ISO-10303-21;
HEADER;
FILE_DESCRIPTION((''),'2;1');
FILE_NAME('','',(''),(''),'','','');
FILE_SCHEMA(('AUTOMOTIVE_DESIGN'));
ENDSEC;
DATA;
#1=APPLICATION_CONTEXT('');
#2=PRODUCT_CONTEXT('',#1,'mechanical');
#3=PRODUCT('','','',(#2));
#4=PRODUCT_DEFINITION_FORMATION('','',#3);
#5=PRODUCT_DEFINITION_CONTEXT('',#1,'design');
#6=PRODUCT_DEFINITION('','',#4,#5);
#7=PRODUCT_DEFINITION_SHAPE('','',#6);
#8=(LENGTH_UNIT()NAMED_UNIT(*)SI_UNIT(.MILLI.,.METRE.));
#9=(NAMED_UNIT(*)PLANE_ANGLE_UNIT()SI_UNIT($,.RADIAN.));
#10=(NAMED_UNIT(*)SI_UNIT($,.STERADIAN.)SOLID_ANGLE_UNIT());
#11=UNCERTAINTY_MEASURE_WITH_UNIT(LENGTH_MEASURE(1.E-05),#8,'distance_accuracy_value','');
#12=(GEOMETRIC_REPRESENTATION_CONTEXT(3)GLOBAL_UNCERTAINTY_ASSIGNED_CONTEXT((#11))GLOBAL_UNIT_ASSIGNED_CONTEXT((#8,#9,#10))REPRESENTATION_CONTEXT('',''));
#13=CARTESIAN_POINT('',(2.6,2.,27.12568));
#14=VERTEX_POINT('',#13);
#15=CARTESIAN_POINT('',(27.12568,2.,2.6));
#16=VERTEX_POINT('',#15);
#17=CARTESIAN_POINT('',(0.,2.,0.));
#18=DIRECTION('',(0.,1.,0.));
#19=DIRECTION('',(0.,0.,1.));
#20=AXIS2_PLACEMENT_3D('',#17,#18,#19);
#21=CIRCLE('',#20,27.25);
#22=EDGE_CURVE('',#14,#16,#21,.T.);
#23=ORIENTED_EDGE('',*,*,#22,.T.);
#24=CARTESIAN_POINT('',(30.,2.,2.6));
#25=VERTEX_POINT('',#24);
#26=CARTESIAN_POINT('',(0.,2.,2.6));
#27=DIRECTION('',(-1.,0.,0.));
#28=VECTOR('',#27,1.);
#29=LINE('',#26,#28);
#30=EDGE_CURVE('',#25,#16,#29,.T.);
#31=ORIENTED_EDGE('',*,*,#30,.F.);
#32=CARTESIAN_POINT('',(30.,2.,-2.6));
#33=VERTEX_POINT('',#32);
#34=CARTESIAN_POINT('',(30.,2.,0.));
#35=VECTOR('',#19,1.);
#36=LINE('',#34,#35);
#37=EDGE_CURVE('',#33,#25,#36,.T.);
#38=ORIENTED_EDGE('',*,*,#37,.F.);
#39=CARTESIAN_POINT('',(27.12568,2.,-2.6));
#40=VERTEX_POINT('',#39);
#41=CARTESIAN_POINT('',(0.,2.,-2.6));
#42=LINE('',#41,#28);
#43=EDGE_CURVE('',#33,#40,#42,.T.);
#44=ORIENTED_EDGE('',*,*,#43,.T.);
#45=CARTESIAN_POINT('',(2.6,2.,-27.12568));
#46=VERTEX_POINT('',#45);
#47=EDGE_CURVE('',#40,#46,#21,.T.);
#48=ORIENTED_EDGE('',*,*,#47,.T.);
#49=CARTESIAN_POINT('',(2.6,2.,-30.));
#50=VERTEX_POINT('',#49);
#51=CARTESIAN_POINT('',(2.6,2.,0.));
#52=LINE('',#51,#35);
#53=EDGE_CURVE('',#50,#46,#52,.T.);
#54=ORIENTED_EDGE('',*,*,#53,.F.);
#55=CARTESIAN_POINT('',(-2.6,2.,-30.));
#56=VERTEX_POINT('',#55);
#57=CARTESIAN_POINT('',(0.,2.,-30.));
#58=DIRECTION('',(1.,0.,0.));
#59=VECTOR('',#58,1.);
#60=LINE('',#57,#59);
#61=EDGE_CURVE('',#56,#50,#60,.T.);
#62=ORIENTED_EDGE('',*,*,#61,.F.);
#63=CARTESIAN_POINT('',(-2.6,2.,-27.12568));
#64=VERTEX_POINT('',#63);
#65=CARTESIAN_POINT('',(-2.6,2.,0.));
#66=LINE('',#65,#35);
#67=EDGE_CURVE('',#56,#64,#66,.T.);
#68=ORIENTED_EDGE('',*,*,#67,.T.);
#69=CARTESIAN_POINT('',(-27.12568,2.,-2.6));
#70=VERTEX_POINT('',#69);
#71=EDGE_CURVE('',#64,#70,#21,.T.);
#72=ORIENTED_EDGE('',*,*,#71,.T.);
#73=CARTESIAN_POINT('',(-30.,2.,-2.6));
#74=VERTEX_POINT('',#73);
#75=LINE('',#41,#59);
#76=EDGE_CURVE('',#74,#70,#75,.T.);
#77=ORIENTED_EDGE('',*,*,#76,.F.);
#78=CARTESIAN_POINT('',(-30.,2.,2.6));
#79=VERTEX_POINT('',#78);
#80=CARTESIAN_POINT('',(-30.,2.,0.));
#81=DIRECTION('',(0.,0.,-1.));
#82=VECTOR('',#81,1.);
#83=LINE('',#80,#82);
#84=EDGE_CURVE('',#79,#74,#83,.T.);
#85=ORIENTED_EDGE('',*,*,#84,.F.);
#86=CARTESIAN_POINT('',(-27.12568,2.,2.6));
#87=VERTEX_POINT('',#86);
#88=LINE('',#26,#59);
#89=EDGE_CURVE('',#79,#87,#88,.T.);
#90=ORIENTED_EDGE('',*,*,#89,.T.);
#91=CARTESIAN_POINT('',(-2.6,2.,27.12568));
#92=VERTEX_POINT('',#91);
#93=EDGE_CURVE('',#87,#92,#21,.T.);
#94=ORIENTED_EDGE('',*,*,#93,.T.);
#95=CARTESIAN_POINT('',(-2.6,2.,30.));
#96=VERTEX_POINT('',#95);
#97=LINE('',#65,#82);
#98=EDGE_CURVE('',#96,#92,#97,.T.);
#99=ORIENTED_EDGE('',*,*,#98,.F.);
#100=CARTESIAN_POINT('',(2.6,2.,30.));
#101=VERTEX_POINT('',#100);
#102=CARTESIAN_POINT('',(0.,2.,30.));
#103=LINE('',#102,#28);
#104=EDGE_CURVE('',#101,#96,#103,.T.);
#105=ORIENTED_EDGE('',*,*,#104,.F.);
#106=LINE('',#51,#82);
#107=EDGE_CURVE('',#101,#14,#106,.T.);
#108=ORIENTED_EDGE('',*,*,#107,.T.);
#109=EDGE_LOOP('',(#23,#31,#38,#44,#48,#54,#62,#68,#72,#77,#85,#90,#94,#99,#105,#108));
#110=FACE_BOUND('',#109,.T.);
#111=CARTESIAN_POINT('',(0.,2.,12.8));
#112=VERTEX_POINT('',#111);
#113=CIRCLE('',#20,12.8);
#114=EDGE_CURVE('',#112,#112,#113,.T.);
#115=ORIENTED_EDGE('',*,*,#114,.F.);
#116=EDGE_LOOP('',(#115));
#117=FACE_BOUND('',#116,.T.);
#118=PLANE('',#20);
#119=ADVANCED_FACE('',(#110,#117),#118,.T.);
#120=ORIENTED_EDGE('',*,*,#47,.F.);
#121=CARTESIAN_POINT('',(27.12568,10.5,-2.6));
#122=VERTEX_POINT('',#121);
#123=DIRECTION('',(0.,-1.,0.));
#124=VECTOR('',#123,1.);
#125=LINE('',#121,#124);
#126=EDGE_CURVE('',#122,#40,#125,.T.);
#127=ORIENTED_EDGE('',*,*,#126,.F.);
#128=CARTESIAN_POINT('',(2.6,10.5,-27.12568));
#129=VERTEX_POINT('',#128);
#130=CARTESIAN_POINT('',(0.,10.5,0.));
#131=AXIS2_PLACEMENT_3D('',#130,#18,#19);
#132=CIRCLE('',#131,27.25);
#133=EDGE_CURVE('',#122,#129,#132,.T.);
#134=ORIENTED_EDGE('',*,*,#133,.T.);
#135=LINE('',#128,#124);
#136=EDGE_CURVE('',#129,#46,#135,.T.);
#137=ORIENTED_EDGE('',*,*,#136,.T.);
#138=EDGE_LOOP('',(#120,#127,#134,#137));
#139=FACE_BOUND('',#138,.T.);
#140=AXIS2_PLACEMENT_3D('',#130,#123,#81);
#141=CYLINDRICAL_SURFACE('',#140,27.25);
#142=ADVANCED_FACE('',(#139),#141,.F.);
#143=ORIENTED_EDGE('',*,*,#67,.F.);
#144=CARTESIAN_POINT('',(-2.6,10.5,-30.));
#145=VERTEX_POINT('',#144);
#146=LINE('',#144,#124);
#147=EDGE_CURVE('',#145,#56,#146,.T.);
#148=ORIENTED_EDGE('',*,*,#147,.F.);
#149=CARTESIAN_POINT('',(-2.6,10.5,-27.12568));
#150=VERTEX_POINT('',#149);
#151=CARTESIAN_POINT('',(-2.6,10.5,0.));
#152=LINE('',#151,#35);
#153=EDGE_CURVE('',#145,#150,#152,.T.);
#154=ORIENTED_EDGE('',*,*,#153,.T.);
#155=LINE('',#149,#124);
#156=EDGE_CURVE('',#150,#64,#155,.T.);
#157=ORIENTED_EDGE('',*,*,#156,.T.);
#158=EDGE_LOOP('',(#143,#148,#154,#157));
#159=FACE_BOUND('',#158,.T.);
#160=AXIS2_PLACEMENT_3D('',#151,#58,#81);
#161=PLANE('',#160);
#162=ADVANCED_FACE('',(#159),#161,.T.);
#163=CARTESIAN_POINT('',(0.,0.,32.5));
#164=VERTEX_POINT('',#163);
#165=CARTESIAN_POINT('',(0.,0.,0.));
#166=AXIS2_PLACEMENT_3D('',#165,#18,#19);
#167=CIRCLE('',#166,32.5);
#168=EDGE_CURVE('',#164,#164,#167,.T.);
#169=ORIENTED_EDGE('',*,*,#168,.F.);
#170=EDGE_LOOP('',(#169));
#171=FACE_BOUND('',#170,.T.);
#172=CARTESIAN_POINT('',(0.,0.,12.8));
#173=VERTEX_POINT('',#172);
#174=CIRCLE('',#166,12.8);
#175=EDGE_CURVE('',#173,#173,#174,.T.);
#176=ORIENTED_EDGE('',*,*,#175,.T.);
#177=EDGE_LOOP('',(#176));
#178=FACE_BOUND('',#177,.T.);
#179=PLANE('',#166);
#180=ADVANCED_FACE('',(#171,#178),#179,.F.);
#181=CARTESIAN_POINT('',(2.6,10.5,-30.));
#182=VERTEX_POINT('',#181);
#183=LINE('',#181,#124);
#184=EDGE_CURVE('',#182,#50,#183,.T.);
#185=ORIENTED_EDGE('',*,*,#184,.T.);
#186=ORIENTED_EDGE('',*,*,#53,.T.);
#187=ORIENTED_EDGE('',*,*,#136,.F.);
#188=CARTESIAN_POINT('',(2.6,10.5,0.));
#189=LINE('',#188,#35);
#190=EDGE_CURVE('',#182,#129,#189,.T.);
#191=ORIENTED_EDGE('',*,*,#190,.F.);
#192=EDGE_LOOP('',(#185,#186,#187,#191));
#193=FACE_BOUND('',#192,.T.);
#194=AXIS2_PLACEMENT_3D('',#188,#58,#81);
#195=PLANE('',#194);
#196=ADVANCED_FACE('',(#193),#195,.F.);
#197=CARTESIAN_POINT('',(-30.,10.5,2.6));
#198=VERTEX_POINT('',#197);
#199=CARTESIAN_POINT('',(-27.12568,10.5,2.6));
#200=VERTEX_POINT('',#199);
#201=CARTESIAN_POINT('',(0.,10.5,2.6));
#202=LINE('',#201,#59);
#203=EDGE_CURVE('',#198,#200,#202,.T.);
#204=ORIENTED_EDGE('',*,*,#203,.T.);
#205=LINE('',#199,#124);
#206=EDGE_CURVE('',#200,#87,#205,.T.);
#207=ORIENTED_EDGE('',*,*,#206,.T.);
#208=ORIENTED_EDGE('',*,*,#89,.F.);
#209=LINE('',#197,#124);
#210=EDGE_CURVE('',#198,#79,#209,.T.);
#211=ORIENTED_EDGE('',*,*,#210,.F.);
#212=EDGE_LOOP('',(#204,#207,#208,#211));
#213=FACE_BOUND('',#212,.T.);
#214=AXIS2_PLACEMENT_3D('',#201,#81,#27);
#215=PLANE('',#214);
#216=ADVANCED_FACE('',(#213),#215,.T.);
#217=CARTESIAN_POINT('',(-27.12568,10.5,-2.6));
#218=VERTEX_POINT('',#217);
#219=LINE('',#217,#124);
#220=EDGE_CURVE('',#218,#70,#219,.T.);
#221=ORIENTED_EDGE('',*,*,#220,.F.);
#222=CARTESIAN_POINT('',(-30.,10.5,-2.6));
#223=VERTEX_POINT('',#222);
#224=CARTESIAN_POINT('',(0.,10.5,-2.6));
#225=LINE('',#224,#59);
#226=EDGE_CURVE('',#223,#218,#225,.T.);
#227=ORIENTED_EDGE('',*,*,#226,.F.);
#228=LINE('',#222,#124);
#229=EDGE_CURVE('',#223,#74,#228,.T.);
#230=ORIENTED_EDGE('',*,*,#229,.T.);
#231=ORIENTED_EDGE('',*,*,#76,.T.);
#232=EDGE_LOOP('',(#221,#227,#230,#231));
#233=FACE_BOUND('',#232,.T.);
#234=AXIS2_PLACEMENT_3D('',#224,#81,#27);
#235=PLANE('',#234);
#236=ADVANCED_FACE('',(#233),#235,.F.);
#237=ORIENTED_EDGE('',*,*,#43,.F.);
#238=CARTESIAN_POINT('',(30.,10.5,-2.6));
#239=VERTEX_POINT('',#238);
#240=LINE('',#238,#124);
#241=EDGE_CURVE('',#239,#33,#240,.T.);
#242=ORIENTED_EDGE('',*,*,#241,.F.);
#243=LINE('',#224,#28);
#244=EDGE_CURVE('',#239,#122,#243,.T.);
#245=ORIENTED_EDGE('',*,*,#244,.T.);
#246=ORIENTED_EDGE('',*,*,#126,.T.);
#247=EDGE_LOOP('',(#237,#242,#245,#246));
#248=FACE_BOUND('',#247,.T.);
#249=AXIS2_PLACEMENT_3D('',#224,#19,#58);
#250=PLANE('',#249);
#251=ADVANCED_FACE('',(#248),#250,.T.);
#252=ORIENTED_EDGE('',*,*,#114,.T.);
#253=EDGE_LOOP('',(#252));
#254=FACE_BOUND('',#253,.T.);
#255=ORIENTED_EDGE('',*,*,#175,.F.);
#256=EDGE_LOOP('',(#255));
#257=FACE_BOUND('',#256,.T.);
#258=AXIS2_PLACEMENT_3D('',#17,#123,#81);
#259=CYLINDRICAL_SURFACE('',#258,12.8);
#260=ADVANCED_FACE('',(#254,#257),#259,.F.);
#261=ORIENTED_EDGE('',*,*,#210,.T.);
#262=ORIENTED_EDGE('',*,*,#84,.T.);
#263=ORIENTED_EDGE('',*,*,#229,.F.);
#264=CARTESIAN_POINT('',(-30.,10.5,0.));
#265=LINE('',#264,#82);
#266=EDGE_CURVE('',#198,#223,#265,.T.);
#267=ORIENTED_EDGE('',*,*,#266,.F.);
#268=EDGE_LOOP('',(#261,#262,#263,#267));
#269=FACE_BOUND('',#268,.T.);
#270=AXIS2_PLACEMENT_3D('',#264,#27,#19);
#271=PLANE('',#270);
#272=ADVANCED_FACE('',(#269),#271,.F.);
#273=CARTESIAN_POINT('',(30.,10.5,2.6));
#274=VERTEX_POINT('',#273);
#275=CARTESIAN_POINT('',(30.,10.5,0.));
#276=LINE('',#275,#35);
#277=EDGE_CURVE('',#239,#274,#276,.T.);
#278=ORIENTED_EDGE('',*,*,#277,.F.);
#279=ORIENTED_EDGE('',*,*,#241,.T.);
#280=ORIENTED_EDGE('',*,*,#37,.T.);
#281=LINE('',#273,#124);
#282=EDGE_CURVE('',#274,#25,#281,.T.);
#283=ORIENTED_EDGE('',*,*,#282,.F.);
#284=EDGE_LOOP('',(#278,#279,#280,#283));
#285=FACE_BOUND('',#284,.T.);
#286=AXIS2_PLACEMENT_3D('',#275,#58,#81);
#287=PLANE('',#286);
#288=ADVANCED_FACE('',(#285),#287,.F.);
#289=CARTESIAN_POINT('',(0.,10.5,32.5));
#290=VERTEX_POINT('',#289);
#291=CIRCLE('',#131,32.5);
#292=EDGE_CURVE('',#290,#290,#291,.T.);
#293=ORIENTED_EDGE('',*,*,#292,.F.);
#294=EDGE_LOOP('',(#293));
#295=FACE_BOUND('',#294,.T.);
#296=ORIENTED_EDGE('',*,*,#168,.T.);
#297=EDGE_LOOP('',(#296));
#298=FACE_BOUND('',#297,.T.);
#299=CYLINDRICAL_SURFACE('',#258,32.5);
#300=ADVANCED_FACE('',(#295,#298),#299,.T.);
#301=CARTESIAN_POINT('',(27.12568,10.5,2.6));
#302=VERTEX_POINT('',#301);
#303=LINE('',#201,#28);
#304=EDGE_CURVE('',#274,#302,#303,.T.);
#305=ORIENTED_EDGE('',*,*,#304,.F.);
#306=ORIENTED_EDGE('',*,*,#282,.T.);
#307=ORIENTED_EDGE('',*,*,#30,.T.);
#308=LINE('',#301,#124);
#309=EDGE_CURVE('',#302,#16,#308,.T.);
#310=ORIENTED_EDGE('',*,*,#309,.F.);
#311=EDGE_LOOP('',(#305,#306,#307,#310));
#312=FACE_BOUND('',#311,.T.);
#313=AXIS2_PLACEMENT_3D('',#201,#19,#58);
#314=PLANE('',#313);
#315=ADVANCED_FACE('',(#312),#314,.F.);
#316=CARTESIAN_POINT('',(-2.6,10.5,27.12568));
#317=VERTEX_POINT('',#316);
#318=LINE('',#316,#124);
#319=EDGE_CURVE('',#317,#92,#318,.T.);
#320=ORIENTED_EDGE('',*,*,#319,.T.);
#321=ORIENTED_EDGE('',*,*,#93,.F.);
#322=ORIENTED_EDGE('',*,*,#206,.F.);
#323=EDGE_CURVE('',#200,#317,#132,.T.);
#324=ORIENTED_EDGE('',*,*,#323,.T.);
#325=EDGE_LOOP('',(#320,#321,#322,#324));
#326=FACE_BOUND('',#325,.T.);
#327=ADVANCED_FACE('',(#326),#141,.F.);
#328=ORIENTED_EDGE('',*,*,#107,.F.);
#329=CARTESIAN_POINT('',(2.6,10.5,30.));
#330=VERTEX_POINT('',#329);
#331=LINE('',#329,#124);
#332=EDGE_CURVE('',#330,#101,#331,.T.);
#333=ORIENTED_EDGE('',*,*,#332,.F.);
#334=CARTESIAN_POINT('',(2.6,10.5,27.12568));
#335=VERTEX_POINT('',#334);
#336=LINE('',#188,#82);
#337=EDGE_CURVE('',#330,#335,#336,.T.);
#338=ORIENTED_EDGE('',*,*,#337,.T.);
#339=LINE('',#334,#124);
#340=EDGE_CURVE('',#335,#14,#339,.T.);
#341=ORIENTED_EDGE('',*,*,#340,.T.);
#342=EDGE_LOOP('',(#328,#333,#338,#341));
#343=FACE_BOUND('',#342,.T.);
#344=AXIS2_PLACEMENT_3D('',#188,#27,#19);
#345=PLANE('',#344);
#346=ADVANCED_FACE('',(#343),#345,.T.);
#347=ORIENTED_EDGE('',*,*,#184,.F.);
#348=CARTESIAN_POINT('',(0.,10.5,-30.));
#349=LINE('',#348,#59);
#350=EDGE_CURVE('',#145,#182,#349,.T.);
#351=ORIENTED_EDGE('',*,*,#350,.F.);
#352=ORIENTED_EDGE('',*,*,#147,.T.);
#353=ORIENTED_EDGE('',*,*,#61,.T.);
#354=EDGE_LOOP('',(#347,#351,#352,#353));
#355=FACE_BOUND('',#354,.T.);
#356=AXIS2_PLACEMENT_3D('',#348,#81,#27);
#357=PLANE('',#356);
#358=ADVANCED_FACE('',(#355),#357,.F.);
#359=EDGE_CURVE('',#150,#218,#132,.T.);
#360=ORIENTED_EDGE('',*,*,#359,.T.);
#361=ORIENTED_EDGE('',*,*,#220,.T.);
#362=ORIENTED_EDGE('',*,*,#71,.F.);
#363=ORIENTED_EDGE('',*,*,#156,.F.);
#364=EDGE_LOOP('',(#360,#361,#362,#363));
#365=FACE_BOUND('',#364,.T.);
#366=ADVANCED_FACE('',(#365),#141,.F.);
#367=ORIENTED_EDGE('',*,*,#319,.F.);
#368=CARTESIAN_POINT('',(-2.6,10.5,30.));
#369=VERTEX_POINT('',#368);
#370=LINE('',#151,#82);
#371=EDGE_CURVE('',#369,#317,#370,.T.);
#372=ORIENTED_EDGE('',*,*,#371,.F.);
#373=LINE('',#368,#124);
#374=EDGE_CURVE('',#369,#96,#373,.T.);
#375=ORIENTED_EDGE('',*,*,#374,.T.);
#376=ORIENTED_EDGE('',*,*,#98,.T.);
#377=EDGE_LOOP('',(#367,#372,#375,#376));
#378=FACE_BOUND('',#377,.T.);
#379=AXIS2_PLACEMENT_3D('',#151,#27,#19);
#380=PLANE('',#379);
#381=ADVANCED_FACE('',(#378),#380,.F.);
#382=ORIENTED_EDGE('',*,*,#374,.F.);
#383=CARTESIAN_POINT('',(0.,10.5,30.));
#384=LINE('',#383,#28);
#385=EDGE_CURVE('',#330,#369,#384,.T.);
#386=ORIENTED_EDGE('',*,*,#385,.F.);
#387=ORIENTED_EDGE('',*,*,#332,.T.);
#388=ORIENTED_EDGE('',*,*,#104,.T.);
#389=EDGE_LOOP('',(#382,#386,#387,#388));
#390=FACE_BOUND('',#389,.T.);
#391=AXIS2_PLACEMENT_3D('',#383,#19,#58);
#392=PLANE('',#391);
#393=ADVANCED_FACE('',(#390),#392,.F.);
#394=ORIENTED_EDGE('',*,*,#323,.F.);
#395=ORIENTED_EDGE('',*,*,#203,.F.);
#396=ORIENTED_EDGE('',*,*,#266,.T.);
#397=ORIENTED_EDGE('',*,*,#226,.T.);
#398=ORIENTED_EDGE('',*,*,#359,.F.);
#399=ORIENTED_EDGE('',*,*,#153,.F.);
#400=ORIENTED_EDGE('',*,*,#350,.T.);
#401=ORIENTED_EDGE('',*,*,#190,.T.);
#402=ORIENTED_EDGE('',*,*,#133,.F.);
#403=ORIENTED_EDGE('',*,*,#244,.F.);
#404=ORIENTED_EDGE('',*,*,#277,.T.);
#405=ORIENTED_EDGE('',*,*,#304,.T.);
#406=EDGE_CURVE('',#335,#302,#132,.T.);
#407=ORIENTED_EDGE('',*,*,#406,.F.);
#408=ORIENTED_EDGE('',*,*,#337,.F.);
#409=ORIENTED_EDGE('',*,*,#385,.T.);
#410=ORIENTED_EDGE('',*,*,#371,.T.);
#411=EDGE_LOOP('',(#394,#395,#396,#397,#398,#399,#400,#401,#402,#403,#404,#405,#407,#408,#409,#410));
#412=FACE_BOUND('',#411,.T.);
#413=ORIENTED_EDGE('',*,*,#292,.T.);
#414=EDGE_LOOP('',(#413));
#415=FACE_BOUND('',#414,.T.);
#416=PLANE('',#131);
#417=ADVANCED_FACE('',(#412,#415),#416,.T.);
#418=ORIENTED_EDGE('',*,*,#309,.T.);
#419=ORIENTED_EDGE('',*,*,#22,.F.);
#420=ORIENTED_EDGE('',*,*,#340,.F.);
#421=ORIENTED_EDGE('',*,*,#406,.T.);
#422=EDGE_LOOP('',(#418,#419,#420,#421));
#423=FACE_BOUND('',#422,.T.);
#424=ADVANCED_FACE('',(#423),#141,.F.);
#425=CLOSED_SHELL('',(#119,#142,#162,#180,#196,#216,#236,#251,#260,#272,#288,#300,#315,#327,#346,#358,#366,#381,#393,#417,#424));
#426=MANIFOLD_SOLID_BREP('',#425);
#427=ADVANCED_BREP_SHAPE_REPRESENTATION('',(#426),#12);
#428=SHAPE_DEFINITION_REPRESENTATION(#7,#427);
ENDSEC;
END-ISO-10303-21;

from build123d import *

# Parameters (mm, degrees)
SKETCH1_R           = 32.5
SKETCH1_R_2         = 12.8
BOSS_EXTRUDE1_DEPTH = 2
SKETCH2_R           = 32.5
BOSS_EXTRUDE2_DEPTH = 8.5


with BuildPart() as part:
    # Sketch1 → Boss-Extrude1 (new body)
    with BuildSketch(Plane(origin=(0, 0, 0), x_dir=(1, 0, 0), z_dir=(0, 1, 0))):
        with Locations(Location((0, 0, 0), (0, 0, 270))):
            Circle(SKETCH1_R)
        with Locations(Location((0, 0, 0), (0, 0, 270))):
            Circle(SKETCH1_R_2, mode=Mode.SUBTRACT)
    extrude(amount=BOSS_EXTRUDE1_DEPTH)

    # Sketch2 → Boss-Extrude2 (add)
    with BuildSketch(Plane(origin=(0, 2, 0), x_dir=(1, 0, 0), z_dir=(0, 1, 0))):
        with Locations(Location((0, 0, 0), (0, 0, 270))):
            Circle(SKETCH2_R)
        with BuildLine():
            Line((2.6, -27.125679715), (2.6, -30))
            Line((2.6, -30), (-2.6, -30))
            Line((-2.6, -30), (-2.6, -27.125679715))
            ThreePointArc((-2.6, -27.125679715), (-19.268659787, -19.268659787), (-27.125679715, -2.6))
            Line((-27.125679715, -2.6), (-30, -2.6))
            Line((-30, -2.6), (-30, 2.6))
            Line((-30, 2.6), (-27.125679715, 2.6))
            ThreePointArc((-27.125679715, 2.6), (-19.268659787, 19.268659787), (-2.6, 27.125679715))
            Line((-2.6, 27.125679715), (-2.6, 30))
            Line((-2.6, 30), (2.6, 30))
            Line((2.6, 30), (2.6, 27.125679715))
            ThreePointArc((2.6, 27.125679715), (19.268659787, 19.268659787), (27.125679715, 2.6))
            Line((27.125679715, 2.6), (30, 2.6))
            Line((30, 2.6), (30, -2.6))
            Line((30, -2.6), (27.125679715, -2.6))
            ThreePointArc((27.125679715, -2.6), (19.268659787, -19.268659787), (2.6, -27.125679715))
        make_face(mode=Mode.SUBTRACT)
    extrude(amount=BOSS_EXTRUDE2_DEPTH)


solid = part.part
